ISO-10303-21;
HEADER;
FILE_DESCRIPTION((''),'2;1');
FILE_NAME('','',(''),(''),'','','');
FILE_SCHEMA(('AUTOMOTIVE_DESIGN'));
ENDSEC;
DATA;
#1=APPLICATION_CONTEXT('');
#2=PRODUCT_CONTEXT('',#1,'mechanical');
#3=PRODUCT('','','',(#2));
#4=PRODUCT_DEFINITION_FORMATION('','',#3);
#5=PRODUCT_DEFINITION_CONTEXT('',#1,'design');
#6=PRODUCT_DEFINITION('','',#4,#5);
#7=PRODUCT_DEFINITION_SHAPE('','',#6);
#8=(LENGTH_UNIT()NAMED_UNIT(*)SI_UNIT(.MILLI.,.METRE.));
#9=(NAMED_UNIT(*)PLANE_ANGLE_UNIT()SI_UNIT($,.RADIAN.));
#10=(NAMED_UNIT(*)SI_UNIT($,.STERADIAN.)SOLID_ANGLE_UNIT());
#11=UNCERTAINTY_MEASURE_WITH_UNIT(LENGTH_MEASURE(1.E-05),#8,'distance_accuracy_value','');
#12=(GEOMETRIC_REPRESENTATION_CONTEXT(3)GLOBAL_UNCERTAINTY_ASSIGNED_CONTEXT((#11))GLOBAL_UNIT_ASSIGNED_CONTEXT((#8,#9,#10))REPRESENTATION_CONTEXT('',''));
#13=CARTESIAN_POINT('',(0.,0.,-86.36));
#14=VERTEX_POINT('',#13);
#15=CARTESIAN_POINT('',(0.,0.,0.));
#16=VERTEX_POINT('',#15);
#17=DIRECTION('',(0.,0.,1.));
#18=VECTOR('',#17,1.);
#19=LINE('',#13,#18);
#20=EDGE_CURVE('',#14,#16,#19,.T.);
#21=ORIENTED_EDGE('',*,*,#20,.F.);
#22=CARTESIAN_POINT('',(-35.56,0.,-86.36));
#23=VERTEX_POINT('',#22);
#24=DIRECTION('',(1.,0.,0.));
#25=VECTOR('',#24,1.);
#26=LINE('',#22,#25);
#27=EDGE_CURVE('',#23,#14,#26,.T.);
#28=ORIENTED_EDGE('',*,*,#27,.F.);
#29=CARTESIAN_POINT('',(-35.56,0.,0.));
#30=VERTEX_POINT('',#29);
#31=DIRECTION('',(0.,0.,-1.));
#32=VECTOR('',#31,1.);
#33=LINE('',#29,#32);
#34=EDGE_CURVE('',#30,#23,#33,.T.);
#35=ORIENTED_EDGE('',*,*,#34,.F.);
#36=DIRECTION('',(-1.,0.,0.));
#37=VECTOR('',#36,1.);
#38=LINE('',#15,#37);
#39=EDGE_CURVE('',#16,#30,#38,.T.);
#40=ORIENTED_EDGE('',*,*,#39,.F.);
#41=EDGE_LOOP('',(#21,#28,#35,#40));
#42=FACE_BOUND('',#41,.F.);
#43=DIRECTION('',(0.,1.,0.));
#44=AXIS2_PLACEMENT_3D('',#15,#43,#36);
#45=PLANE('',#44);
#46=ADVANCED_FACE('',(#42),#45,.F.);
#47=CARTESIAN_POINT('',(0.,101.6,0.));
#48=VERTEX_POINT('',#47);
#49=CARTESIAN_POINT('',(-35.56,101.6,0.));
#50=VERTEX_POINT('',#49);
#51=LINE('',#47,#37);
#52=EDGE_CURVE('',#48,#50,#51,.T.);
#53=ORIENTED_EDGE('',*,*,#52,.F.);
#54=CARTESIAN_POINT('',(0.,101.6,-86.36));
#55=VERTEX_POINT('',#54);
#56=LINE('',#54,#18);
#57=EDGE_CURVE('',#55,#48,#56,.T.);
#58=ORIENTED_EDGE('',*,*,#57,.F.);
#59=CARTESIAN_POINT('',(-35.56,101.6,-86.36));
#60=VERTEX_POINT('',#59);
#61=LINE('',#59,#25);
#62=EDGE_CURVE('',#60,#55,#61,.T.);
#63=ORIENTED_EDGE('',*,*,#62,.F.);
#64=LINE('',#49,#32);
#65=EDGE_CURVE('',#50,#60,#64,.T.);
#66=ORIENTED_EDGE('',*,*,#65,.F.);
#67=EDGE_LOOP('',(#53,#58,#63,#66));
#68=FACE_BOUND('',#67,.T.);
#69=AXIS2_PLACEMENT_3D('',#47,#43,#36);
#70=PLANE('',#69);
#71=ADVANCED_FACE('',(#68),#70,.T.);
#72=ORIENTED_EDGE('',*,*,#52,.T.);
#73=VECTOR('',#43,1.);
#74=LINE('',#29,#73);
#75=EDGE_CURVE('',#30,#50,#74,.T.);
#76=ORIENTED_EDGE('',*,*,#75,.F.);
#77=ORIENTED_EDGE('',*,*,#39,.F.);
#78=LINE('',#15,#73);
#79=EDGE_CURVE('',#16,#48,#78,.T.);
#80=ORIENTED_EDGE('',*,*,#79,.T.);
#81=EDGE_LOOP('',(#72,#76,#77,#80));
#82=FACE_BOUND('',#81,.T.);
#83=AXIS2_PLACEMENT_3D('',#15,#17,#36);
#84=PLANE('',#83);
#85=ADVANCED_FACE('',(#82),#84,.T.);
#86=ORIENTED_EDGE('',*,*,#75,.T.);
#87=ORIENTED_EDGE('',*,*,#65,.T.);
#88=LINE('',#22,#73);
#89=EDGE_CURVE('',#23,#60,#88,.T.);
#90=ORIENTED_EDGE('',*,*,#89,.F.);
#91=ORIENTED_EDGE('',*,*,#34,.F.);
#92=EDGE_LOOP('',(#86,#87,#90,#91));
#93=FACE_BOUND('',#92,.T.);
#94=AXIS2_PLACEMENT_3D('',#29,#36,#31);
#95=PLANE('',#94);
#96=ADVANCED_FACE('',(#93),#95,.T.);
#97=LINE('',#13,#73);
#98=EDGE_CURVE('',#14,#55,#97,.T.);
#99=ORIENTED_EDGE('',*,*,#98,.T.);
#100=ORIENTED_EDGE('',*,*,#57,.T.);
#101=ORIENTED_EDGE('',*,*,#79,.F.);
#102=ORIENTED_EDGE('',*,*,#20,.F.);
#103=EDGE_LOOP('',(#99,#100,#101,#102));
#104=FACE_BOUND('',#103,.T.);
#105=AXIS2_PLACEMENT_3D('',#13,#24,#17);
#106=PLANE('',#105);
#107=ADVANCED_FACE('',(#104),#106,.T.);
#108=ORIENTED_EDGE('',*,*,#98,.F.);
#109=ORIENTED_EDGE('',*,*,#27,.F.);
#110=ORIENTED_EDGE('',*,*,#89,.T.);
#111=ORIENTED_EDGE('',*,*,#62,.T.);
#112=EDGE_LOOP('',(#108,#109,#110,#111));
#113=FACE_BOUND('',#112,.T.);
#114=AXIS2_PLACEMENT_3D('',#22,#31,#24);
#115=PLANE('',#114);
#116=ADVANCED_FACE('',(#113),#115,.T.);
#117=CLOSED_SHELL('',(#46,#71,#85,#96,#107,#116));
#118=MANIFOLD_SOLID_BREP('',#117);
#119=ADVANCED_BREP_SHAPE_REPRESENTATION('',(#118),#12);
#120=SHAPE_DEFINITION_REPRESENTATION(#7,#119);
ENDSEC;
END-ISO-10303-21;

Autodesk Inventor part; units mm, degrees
ref_plane "YZ Plane" through (0, 0, 0) normal (1, 0, 0) x (0, 1, 0)
ref_plane "XZ Plane" through (0, 0, 0) normal (0, 1, 0) x (-1, 0, 0)
ref_plane "XY Plane" through (0, 0, 0) normal (0, 0, 1) x (1, 0, 0)
sketch "Sketch1" plane through (0, 0, 0) normal (0, 1, 0) x (-1, 0, 0)
  line L0 (0, 0) -> (35.56, 0)
  line L1 (35.56, 0) -> (35.56, -86.36)
  line L2 (35.56, -86.36) -> (0, -86.36)
  line L3 (0, -86.36) -> (0, 0)
  dimension "d0" = 35.56
  dimension "d1" = 86.36
extrude "Extrusion1" add sketch "Sketch1" along normal blind 101.6
properties part number "CAN2CAN"
